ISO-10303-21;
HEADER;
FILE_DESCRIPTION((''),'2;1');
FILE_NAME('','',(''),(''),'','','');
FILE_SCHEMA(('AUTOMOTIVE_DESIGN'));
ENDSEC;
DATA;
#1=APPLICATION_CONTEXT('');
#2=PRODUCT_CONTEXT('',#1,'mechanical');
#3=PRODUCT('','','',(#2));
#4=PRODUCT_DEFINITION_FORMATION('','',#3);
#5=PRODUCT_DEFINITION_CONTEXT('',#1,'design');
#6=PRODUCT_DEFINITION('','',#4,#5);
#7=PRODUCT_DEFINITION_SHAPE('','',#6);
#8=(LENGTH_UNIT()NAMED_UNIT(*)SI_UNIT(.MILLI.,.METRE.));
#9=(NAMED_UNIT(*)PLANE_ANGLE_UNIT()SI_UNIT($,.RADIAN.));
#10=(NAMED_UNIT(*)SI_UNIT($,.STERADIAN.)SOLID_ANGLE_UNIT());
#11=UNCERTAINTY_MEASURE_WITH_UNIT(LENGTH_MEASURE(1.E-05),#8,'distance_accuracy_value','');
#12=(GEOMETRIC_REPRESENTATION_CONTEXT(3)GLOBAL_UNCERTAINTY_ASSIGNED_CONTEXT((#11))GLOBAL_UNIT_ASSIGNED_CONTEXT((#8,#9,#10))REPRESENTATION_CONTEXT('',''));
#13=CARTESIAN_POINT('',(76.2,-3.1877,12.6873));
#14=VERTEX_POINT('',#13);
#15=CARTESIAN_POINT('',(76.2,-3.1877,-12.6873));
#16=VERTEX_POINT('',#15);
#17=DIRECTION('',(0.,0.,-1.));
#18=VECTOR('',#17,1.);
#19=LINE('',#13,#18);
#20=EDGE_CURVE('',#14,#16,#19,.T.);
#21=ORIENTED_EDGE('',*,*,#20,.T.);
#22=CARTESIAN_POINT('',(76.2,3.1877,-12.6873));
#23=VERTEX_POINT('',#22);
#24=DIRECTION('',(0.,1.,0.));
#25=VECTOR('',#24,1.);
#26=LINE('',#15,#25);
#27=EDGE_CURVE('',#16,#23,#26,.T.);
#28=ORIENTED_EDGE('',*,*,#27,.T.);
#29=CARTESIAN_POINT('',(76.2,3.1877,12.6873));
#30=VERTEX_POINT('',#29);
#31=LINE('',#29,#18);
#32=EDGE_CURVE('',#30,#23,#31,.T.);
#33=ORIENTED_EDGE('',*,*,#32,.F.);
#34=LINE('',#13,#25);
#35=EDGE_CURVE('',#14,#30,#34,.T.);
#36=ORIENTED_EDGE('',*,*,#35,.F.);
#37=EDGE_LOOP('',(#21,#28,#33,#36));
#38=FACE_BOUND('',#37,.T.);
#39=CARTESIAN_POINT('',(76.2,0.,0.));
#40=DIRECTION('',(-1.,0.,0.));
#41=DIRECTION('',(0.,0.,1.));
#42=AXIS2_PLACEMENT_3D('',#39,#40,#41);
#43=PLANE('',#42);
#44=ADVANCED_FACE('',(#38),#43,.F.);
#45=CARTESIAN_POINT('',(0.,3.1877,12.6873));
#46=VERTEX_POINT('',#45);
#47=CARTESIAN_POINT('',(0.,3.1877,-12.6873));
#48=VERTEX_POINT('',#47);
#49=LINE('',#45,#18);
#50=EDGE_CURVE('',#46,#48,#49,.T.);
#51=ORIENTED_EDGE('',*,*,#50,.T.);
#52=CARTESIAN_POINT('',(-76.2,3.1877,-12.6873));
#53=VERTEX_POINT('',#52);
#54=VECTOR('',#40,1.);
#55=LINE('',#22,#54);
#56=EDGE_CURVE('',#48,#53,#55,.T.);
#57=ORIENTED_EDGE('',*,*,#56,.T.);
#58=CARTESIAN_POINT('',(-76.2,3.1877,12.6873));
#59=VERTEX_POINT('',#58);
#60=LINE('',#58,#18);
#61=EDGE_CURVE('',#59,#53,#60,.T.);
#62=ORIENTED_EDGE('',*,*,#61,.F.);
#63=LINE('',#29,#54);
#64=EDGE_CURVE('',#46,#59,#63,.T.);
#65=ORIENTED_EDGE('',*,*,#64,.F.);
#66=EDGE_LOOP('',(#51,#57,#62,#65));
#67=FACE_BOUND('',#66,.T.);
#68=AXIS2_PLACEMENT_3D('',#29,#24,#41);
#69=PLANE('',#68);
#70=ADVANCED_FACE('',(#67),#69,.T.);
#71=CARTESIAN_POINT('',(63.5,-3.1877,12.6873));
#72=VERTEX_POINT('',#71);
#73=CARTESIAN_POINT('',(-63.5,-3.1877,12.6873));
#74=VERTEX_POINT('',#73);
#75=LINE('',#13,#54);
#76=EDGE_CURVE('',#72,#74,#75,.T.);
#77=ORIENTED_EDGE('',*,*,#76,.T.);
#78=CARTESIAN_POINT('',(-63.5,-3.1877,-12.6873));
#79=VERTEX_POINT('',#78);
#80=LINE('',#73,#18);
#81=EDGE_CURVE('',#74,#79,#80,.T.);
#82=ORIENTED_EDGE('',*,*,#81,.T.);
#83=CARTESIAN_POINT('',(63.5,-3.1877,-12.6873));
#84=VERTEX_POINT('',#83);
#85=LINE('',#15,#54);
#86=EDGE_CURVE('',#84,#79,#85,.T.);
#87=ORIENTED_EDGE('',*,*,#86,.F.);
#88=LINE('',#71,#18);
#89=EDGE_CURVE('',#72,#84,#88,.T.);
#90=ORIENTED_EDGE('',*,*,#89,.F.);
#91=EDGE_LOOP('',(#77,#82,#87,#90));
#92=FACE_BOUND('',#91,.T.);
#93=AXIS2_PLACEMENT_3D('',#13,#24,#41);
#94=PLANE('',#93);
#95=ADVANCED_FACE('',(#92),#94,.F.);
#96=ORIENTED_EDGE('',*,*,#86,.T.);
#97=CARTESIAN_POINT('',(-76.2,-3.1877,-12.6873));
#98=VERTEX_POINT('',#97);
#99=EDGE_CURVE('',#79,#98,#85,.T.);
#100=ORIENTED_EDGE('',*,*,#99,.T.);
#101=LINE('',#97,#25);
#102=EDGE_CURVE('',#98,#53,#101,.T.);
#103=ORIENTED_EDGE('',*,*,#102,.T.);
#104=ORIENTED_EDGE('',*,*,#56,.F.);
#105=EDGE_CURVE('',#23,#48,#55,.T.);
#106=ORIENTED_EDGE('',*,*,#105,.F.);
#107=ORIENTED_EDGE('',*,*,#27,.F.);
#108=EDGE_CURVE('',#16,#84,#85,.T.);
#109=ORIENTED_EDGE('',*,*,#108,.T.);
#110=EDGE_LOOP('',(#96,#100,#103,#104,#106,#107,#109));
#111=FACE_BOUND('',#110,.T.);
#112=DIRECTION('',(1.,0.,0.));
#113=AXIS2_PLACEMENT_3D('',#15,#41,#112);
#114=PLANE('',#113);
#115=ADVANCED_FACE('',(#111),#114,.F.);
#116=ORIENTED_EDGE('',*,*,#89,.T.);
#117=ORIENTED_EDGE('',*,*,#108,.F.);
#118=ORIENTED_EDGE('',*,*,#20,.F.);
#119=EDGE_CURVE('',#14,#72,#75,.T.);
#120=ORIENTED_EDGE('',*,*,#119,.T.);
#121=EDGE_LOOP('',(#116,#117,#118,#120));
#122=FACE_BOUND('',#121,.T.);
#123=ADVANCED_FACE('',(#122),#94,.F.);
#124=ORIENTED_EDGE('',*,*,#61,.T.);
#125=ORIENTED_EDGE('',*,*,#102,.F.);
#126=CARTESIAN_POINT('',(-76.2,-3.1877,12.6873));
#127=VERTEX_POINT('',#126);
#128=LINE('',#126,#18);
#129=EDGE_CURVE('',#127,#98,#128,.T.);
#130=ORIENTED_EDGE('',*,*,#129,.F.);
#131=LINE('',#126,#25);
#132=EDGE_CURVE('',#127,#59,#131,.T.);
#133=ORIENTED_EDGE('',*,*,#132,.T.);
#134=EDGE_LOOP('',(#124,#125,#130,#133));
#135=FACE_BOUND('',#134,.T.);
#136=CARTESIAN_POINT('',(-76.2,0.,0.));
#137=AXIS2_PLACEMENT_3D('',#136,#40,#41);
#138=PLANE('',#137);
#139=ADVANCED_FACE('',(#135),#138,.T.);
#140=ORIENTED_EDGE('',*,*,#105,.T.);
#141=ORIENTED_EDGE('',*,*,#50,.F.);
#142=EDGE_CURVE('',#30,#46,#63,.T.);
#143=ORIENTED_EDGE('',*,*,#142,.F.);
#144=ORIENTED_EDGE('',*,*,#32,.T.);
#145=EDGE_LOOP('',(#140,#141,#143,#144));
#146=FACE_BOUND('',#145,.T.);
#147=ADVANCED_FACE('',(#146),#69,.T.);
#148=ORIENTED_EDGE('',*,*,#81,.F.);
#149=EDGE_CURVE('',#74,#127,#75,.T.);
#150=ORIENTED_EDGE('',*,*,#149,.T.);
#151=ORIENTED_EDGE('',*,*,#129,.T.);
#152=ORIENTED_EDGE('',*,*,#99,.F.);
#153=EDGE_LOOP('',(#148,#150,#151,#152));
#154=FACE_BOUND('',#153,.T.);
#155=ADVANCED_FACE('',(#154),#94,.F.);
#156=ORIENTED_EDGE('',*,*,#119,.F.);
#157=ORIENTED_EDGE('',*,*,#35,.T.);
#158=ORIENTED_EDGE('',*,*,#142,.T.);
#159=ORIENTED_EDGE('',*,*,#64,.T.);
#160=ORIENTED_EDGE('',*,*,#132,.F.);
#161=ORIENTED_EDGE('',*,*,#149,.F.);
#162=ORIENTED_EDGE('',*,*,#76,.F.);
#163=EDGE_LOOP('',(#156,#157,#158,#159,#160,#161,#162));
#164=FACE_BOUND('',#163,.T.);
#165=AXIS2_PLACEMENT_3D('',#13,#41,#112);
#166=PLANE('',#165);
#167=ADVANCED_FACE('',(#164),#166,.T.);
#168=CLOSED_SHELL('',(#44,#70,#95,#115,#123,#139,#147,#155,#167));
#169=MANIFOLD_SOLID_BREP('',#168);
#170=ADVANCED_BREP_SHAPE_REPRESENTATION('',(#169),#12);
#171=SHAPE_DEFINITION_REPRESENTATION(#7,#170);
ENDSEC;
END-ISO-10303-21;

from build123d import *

# Parameters (mm, degrees)
SKETCH1_W           = 25.3746
SKETCH1_H           = 6.3754
BOSS_EXTRUDE1_DEPTH = 76.2


with BuildPart() as part:
    # Sketch1 → Boss-Extrude1 (new body, symmetric)
    with BuildSketch(Plane(origin=(0, 0, 0), x_dir=(0, 0, -1), z_dir=(1, 0, 0))):
        Rectangle(SKETCH1_W, SKETCH1_H)
    extrude(amount=BOSS_EXTRUDE1_DEPTH, both=True)


solid = part.part
